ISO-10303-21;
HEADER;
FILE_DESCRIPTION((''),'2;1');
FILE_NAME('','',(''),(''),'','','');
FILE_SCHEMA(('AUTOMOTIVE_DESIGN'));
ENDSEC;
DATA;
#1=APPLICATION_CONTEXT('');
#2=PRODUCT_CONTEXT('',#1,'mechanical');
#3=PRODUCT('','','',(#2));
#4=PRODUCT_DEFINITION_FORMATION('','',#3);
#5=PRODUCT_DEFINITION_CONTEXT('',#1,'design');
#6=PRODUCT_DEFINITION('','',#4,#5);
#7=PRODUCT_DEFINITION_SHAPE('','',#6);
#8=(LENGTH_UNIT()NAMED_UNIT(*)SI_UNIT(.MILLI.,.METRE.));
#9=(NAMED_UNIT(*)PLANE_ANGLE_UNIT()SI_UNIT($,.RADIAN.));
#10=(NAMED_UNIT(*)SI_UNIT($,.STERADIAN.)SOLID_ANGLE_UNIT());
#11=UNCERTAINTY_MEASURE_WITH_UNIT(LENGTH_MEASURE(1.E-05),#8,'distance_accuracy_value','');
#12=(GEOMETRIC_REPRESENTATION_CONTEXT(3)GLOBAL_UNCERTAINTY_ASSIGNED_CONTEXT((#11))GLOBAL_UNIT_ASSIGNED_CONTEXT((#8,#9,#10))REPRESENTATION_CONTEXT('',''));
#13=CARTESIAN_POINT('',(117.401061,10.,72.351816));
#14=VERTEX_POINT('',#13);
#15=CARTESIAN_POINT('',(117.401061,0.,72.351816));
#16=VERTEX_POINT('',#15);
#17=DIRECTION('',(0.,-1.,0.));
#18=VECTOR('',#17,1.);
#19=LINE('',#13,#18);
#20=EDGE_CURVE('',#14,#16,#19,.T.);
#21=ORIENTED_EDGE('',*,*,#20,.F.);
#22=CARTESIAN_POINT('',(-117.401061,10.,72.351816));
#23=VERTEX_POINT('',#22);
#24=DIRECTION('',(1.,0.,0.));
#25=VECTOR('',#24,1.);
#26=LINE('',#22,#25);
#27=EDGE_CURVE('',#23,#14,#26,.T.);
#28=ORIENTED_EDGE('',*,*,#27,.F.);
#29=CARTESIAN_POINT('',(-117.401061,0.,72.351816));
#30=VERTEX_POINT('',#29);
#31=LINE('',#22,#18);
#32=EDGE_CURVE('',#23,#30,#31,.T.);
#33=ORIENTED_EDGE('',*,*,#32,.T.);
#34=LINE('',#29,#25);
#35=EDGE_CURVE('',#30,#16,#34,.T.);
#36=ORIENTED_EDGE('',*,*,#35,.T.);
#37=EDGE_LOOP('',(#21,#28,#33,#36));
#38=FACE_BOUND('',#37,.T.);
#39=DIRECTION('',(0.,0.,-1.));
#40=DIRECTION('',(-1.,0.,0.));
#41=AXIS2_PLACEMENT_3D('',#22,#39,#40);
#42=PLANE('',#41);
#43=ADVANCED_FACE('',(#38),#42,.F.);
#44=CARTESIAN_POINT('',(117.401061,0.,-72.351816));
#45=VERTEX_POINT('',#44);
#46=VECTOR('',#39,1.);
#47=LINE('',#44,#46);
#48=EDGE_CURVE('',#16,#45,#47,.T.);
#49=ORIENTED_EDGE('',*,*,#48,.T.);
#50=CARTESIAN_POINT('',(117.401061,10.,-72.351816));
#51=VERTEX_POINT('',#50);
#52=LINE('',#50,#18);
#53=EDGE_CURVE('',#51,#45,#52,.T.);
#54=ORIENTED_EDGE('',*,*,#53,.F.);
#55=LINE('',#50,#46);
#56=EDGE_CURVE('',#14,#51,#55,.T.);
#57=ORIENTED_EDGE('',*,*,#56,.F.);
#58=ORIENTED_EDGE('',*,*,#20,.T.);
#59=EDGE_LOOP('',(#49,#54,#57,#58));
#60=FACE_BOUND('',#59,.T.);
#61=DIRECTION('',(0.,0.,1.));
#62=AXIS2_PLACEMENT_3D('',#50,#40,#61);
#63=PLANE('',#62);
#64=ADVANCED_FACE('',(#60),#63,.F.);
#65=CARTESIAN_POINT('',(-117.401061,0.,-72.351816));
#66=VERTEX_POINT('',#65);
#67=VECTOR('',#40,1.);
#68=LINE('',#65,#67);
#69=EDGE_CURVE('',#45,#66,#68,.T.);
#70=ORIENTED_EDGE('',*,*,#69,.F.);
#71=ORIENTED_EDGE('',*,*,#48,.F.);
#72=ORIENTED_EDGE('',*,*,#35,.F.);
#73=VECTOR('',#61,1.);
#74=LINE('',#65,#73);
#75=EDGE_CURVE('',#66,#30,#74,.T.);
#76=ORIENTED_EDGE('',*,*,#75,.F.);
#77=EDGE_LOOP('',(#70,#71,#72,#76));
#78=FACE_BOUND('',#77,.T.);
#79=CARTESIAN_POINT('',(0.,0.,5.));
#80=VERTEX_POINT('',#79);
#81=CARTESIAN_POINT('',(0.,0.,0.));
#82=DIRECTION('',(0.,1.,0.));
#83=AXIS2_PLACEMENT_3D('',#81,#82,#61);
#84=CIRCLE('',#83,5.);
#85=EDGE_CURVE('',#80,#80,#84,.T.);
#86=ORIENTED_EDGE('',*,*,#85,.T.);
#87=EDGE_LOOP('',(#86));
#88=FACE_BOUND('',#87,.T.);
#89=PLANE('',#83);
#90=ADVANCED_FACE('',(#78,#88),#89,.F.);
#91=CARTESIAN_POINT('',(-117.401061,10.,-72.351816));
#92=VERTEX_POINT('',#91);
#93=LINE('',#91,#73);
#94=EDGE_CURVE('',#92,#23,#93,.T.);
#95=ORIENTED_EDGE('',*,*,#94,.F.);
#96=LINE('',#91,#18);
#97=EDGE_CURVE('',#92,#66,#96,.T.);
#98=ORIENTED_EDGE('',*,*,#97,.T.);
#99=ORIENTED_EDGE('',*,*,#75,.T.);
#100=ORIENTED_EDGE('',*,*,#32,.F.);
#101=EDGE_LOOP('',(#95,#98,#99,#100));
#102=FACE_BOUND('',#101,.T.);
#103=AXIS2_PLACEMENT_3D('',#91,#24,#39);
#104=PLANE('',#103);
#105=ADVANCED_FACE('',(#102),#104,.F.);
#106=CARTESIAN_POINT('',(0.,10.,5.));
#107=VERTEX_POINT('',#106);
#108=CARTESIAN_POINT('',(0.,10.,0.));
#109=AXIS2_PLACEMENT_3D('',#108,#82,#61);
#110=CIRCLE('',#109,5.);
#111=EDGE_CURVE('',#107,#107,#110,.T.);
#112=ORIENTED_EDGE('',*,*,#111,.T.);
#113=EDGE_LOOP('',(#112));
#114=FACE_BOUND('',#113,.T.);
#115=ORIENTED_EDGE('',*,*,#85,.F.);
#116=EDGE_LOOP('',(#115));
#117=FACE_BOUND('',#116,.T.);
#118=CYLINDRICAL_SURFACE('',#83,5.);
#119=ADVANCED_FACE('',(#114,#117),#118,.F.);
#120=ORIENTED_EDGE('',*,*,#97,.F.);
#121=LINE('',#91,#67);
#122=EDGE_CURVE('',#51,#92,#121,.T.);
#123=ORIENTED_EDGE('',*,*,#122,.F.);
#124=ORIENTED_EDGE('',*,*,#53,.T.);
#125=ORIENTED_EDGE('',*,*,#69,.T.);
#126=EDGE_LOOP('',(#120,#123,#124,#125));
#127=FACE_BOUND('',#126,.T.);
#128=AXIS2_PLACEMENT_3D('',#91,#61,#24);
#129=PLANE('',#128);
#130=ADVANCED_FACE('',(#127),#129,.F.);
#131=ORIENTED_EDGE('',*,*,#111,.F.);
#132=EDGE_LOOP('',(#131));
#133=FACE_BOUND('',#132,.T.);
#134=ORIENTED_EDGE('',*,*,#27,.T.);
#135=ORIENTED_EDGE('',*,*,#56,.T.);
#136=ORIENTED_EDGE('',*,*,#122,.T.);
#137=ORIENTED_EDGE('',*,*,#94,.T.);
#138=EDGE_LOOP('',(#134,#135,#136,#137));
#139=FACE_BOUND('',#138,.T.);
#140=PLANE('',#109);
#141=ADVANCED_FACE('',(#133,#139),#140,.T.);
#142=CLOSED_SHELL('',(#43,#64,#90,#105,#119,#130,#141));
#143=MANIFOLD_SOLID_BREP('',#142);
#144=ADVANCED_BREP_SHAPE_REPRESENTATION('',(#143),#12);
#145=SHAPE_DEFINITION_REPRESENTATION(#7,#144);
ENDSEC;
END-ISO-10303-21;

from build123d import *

# Parameters (mm, degrees)
SKETCH1_W           = 234.80212105
SKETCH1_H           = 144.70363274
BOSS_EXTRUDE1_DEPTH = 10
SKETCH2_R           = 5
CUT_EXTRUDE1_DEPTH  = 10


with BuildPart() as part:
    # Sketch1 → Boss-Extrude1 (new body)
    with BuildSketch(Plane(origin=(0, 0, 0), x_dir=(1, 0, 0), z_dir=(0, 1, 0))):
        Rectangle(SKETCH1_W, SKETCH1_H)
    extrude(amount=BOSS_EXTRUDE1_DEPTH)

    # Sketch2 → Cut-Extrude1 (cut)
    with BuildSketch(Plane(origin=(0, 10, 0), x_dir=(1, 0, 0), z_dir=(0, 1, 0))):
        with Locations(Location((0, 0, 0), (0, 0, 270))):
            Circle(SKETCH2_R)
    extrude(amount=-CUT_EXTRUDE1_DEPTH, mode=Mode.SUBTRACT)


solid = part.part
